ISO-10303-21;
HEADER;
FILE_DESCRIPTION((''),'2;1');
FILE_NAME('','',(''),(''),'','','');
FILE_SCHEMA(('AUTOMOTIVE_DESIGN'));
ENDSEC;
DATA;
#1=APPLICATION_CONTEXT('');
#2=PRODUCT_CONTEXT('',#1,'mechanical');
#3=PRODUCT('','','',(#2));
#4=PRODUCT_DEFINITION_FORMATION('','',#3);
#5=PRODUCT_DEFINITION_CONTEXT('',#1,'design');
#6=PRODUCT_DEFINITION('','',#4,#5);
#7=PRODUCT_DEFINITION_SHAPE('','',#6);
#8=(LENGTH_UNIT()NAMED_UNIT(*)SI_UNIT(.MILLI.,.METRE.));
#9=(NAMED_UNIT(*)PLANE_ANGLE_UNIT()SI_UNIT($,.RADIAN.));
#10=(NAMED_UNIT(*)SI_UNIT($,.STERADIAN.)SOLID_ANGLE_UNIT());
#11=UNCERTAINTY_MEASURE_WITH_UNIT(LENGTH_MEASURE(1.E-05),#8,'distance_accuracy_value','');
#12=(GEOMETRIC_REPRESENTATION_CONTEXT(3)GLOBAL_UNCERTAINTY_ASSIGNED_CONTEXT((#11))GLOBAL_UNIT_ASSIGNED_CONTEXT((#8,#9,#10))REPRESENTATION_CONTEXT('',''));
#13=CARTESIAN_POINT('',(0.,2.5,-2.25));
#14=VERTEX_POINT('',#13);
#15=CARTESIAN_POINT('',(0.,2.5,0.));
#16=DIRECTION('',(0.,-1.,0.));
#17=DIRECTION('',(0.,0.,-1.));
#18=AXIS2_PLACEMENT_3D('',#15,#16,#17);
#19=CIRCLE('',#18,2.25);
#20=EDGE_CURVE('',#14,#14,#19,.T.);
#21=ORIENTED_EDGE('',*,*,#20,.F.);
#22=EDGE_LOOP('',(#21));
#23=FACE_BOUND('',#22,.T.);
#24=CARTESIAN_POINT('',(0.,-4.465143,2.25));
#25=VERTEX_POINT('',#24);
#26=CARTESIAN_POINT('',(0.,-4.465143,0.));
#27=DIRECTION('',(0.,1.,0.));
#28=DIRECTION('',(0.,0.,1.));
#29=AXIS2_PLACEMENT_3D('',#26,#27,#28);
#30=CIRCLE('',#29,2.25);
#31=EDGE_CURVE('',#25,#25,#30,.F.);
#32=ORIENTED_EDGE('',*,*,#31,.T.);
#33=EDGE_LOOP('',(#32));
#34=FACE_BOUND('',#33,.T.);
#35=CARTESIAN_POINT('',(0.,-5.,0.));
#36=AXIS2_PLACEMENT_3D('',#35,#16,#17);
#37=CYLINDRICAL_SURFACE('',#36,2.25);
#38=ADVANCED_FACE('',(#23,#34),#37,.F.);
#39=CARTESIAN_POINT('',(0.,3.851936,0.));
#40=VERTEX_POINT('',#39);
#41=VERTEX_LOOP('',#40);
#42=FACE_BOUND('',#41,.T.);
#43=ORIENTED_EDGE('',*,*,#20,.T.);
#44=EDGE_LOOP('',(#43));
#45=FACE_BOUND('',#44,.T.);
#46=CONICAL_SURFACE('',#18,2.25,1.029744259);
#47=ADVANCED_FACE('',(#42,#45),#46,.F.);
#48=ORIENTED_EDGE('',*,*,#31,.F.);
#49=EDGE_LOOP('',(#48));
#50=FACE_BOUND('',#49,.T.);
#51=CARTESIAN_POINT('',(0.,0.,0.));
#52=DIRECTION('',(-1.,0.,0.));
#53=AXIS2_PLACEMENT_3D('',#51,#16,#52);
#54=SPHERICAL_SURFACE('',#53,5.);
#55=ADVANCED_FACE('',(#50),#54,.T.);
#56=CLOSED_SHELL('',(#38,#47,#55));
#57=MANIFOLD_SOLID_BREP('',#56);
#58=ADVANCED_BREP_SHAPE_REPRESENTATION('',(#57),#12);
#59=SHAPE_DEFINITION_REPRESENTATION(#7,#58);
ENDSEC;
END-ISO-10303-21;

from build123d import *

# Parameters (mm, degrees)
M4_CLEARANCE_HOLE1_D     = 4.5
M4_CLEARANCE_HOLE1_DEPTH = 7.5
M4_CLEARANCE_HOLE1_TIP   = 1.351936393


with BuildPart() as part:
    # Sketch1 → Revolve3 (revolve)
    with BuildSketch(Plane.XY):
        with BuildLine():
            Line((0, -5), (0, 5))
            ThreePointArc((0, 5), (5, 0), (0, -5))
        make_face()
    revolve(axis=Axis((0, -5, 0), (0, 1, 0)))

    # M4 Clearance Hole1
    with Locations(Plane(origin=(0, -5, 0), x_dir=(-1, 0, 0), z_dir=(0, -1, 0))):
        with Locations((0, 0)):
            Hole(M4_CLEARANCE_HOLE1_D / 2, depth=M4_CLEARANCE_HOLE1_DEPTH)
            with Locations((0, 0, -(M4_CLEARANCE_HOLE1_DEPTH + M4_CLEARANCE_HOLE1_TIP / 2))):  # 118° drill point
                Cone(0, M4_CLEARANCE_HOLE1_D / 2, M4_CLEARANCE_HOLE1_TIP, mode=Mode.SUBTRACT)


solid = part.part
